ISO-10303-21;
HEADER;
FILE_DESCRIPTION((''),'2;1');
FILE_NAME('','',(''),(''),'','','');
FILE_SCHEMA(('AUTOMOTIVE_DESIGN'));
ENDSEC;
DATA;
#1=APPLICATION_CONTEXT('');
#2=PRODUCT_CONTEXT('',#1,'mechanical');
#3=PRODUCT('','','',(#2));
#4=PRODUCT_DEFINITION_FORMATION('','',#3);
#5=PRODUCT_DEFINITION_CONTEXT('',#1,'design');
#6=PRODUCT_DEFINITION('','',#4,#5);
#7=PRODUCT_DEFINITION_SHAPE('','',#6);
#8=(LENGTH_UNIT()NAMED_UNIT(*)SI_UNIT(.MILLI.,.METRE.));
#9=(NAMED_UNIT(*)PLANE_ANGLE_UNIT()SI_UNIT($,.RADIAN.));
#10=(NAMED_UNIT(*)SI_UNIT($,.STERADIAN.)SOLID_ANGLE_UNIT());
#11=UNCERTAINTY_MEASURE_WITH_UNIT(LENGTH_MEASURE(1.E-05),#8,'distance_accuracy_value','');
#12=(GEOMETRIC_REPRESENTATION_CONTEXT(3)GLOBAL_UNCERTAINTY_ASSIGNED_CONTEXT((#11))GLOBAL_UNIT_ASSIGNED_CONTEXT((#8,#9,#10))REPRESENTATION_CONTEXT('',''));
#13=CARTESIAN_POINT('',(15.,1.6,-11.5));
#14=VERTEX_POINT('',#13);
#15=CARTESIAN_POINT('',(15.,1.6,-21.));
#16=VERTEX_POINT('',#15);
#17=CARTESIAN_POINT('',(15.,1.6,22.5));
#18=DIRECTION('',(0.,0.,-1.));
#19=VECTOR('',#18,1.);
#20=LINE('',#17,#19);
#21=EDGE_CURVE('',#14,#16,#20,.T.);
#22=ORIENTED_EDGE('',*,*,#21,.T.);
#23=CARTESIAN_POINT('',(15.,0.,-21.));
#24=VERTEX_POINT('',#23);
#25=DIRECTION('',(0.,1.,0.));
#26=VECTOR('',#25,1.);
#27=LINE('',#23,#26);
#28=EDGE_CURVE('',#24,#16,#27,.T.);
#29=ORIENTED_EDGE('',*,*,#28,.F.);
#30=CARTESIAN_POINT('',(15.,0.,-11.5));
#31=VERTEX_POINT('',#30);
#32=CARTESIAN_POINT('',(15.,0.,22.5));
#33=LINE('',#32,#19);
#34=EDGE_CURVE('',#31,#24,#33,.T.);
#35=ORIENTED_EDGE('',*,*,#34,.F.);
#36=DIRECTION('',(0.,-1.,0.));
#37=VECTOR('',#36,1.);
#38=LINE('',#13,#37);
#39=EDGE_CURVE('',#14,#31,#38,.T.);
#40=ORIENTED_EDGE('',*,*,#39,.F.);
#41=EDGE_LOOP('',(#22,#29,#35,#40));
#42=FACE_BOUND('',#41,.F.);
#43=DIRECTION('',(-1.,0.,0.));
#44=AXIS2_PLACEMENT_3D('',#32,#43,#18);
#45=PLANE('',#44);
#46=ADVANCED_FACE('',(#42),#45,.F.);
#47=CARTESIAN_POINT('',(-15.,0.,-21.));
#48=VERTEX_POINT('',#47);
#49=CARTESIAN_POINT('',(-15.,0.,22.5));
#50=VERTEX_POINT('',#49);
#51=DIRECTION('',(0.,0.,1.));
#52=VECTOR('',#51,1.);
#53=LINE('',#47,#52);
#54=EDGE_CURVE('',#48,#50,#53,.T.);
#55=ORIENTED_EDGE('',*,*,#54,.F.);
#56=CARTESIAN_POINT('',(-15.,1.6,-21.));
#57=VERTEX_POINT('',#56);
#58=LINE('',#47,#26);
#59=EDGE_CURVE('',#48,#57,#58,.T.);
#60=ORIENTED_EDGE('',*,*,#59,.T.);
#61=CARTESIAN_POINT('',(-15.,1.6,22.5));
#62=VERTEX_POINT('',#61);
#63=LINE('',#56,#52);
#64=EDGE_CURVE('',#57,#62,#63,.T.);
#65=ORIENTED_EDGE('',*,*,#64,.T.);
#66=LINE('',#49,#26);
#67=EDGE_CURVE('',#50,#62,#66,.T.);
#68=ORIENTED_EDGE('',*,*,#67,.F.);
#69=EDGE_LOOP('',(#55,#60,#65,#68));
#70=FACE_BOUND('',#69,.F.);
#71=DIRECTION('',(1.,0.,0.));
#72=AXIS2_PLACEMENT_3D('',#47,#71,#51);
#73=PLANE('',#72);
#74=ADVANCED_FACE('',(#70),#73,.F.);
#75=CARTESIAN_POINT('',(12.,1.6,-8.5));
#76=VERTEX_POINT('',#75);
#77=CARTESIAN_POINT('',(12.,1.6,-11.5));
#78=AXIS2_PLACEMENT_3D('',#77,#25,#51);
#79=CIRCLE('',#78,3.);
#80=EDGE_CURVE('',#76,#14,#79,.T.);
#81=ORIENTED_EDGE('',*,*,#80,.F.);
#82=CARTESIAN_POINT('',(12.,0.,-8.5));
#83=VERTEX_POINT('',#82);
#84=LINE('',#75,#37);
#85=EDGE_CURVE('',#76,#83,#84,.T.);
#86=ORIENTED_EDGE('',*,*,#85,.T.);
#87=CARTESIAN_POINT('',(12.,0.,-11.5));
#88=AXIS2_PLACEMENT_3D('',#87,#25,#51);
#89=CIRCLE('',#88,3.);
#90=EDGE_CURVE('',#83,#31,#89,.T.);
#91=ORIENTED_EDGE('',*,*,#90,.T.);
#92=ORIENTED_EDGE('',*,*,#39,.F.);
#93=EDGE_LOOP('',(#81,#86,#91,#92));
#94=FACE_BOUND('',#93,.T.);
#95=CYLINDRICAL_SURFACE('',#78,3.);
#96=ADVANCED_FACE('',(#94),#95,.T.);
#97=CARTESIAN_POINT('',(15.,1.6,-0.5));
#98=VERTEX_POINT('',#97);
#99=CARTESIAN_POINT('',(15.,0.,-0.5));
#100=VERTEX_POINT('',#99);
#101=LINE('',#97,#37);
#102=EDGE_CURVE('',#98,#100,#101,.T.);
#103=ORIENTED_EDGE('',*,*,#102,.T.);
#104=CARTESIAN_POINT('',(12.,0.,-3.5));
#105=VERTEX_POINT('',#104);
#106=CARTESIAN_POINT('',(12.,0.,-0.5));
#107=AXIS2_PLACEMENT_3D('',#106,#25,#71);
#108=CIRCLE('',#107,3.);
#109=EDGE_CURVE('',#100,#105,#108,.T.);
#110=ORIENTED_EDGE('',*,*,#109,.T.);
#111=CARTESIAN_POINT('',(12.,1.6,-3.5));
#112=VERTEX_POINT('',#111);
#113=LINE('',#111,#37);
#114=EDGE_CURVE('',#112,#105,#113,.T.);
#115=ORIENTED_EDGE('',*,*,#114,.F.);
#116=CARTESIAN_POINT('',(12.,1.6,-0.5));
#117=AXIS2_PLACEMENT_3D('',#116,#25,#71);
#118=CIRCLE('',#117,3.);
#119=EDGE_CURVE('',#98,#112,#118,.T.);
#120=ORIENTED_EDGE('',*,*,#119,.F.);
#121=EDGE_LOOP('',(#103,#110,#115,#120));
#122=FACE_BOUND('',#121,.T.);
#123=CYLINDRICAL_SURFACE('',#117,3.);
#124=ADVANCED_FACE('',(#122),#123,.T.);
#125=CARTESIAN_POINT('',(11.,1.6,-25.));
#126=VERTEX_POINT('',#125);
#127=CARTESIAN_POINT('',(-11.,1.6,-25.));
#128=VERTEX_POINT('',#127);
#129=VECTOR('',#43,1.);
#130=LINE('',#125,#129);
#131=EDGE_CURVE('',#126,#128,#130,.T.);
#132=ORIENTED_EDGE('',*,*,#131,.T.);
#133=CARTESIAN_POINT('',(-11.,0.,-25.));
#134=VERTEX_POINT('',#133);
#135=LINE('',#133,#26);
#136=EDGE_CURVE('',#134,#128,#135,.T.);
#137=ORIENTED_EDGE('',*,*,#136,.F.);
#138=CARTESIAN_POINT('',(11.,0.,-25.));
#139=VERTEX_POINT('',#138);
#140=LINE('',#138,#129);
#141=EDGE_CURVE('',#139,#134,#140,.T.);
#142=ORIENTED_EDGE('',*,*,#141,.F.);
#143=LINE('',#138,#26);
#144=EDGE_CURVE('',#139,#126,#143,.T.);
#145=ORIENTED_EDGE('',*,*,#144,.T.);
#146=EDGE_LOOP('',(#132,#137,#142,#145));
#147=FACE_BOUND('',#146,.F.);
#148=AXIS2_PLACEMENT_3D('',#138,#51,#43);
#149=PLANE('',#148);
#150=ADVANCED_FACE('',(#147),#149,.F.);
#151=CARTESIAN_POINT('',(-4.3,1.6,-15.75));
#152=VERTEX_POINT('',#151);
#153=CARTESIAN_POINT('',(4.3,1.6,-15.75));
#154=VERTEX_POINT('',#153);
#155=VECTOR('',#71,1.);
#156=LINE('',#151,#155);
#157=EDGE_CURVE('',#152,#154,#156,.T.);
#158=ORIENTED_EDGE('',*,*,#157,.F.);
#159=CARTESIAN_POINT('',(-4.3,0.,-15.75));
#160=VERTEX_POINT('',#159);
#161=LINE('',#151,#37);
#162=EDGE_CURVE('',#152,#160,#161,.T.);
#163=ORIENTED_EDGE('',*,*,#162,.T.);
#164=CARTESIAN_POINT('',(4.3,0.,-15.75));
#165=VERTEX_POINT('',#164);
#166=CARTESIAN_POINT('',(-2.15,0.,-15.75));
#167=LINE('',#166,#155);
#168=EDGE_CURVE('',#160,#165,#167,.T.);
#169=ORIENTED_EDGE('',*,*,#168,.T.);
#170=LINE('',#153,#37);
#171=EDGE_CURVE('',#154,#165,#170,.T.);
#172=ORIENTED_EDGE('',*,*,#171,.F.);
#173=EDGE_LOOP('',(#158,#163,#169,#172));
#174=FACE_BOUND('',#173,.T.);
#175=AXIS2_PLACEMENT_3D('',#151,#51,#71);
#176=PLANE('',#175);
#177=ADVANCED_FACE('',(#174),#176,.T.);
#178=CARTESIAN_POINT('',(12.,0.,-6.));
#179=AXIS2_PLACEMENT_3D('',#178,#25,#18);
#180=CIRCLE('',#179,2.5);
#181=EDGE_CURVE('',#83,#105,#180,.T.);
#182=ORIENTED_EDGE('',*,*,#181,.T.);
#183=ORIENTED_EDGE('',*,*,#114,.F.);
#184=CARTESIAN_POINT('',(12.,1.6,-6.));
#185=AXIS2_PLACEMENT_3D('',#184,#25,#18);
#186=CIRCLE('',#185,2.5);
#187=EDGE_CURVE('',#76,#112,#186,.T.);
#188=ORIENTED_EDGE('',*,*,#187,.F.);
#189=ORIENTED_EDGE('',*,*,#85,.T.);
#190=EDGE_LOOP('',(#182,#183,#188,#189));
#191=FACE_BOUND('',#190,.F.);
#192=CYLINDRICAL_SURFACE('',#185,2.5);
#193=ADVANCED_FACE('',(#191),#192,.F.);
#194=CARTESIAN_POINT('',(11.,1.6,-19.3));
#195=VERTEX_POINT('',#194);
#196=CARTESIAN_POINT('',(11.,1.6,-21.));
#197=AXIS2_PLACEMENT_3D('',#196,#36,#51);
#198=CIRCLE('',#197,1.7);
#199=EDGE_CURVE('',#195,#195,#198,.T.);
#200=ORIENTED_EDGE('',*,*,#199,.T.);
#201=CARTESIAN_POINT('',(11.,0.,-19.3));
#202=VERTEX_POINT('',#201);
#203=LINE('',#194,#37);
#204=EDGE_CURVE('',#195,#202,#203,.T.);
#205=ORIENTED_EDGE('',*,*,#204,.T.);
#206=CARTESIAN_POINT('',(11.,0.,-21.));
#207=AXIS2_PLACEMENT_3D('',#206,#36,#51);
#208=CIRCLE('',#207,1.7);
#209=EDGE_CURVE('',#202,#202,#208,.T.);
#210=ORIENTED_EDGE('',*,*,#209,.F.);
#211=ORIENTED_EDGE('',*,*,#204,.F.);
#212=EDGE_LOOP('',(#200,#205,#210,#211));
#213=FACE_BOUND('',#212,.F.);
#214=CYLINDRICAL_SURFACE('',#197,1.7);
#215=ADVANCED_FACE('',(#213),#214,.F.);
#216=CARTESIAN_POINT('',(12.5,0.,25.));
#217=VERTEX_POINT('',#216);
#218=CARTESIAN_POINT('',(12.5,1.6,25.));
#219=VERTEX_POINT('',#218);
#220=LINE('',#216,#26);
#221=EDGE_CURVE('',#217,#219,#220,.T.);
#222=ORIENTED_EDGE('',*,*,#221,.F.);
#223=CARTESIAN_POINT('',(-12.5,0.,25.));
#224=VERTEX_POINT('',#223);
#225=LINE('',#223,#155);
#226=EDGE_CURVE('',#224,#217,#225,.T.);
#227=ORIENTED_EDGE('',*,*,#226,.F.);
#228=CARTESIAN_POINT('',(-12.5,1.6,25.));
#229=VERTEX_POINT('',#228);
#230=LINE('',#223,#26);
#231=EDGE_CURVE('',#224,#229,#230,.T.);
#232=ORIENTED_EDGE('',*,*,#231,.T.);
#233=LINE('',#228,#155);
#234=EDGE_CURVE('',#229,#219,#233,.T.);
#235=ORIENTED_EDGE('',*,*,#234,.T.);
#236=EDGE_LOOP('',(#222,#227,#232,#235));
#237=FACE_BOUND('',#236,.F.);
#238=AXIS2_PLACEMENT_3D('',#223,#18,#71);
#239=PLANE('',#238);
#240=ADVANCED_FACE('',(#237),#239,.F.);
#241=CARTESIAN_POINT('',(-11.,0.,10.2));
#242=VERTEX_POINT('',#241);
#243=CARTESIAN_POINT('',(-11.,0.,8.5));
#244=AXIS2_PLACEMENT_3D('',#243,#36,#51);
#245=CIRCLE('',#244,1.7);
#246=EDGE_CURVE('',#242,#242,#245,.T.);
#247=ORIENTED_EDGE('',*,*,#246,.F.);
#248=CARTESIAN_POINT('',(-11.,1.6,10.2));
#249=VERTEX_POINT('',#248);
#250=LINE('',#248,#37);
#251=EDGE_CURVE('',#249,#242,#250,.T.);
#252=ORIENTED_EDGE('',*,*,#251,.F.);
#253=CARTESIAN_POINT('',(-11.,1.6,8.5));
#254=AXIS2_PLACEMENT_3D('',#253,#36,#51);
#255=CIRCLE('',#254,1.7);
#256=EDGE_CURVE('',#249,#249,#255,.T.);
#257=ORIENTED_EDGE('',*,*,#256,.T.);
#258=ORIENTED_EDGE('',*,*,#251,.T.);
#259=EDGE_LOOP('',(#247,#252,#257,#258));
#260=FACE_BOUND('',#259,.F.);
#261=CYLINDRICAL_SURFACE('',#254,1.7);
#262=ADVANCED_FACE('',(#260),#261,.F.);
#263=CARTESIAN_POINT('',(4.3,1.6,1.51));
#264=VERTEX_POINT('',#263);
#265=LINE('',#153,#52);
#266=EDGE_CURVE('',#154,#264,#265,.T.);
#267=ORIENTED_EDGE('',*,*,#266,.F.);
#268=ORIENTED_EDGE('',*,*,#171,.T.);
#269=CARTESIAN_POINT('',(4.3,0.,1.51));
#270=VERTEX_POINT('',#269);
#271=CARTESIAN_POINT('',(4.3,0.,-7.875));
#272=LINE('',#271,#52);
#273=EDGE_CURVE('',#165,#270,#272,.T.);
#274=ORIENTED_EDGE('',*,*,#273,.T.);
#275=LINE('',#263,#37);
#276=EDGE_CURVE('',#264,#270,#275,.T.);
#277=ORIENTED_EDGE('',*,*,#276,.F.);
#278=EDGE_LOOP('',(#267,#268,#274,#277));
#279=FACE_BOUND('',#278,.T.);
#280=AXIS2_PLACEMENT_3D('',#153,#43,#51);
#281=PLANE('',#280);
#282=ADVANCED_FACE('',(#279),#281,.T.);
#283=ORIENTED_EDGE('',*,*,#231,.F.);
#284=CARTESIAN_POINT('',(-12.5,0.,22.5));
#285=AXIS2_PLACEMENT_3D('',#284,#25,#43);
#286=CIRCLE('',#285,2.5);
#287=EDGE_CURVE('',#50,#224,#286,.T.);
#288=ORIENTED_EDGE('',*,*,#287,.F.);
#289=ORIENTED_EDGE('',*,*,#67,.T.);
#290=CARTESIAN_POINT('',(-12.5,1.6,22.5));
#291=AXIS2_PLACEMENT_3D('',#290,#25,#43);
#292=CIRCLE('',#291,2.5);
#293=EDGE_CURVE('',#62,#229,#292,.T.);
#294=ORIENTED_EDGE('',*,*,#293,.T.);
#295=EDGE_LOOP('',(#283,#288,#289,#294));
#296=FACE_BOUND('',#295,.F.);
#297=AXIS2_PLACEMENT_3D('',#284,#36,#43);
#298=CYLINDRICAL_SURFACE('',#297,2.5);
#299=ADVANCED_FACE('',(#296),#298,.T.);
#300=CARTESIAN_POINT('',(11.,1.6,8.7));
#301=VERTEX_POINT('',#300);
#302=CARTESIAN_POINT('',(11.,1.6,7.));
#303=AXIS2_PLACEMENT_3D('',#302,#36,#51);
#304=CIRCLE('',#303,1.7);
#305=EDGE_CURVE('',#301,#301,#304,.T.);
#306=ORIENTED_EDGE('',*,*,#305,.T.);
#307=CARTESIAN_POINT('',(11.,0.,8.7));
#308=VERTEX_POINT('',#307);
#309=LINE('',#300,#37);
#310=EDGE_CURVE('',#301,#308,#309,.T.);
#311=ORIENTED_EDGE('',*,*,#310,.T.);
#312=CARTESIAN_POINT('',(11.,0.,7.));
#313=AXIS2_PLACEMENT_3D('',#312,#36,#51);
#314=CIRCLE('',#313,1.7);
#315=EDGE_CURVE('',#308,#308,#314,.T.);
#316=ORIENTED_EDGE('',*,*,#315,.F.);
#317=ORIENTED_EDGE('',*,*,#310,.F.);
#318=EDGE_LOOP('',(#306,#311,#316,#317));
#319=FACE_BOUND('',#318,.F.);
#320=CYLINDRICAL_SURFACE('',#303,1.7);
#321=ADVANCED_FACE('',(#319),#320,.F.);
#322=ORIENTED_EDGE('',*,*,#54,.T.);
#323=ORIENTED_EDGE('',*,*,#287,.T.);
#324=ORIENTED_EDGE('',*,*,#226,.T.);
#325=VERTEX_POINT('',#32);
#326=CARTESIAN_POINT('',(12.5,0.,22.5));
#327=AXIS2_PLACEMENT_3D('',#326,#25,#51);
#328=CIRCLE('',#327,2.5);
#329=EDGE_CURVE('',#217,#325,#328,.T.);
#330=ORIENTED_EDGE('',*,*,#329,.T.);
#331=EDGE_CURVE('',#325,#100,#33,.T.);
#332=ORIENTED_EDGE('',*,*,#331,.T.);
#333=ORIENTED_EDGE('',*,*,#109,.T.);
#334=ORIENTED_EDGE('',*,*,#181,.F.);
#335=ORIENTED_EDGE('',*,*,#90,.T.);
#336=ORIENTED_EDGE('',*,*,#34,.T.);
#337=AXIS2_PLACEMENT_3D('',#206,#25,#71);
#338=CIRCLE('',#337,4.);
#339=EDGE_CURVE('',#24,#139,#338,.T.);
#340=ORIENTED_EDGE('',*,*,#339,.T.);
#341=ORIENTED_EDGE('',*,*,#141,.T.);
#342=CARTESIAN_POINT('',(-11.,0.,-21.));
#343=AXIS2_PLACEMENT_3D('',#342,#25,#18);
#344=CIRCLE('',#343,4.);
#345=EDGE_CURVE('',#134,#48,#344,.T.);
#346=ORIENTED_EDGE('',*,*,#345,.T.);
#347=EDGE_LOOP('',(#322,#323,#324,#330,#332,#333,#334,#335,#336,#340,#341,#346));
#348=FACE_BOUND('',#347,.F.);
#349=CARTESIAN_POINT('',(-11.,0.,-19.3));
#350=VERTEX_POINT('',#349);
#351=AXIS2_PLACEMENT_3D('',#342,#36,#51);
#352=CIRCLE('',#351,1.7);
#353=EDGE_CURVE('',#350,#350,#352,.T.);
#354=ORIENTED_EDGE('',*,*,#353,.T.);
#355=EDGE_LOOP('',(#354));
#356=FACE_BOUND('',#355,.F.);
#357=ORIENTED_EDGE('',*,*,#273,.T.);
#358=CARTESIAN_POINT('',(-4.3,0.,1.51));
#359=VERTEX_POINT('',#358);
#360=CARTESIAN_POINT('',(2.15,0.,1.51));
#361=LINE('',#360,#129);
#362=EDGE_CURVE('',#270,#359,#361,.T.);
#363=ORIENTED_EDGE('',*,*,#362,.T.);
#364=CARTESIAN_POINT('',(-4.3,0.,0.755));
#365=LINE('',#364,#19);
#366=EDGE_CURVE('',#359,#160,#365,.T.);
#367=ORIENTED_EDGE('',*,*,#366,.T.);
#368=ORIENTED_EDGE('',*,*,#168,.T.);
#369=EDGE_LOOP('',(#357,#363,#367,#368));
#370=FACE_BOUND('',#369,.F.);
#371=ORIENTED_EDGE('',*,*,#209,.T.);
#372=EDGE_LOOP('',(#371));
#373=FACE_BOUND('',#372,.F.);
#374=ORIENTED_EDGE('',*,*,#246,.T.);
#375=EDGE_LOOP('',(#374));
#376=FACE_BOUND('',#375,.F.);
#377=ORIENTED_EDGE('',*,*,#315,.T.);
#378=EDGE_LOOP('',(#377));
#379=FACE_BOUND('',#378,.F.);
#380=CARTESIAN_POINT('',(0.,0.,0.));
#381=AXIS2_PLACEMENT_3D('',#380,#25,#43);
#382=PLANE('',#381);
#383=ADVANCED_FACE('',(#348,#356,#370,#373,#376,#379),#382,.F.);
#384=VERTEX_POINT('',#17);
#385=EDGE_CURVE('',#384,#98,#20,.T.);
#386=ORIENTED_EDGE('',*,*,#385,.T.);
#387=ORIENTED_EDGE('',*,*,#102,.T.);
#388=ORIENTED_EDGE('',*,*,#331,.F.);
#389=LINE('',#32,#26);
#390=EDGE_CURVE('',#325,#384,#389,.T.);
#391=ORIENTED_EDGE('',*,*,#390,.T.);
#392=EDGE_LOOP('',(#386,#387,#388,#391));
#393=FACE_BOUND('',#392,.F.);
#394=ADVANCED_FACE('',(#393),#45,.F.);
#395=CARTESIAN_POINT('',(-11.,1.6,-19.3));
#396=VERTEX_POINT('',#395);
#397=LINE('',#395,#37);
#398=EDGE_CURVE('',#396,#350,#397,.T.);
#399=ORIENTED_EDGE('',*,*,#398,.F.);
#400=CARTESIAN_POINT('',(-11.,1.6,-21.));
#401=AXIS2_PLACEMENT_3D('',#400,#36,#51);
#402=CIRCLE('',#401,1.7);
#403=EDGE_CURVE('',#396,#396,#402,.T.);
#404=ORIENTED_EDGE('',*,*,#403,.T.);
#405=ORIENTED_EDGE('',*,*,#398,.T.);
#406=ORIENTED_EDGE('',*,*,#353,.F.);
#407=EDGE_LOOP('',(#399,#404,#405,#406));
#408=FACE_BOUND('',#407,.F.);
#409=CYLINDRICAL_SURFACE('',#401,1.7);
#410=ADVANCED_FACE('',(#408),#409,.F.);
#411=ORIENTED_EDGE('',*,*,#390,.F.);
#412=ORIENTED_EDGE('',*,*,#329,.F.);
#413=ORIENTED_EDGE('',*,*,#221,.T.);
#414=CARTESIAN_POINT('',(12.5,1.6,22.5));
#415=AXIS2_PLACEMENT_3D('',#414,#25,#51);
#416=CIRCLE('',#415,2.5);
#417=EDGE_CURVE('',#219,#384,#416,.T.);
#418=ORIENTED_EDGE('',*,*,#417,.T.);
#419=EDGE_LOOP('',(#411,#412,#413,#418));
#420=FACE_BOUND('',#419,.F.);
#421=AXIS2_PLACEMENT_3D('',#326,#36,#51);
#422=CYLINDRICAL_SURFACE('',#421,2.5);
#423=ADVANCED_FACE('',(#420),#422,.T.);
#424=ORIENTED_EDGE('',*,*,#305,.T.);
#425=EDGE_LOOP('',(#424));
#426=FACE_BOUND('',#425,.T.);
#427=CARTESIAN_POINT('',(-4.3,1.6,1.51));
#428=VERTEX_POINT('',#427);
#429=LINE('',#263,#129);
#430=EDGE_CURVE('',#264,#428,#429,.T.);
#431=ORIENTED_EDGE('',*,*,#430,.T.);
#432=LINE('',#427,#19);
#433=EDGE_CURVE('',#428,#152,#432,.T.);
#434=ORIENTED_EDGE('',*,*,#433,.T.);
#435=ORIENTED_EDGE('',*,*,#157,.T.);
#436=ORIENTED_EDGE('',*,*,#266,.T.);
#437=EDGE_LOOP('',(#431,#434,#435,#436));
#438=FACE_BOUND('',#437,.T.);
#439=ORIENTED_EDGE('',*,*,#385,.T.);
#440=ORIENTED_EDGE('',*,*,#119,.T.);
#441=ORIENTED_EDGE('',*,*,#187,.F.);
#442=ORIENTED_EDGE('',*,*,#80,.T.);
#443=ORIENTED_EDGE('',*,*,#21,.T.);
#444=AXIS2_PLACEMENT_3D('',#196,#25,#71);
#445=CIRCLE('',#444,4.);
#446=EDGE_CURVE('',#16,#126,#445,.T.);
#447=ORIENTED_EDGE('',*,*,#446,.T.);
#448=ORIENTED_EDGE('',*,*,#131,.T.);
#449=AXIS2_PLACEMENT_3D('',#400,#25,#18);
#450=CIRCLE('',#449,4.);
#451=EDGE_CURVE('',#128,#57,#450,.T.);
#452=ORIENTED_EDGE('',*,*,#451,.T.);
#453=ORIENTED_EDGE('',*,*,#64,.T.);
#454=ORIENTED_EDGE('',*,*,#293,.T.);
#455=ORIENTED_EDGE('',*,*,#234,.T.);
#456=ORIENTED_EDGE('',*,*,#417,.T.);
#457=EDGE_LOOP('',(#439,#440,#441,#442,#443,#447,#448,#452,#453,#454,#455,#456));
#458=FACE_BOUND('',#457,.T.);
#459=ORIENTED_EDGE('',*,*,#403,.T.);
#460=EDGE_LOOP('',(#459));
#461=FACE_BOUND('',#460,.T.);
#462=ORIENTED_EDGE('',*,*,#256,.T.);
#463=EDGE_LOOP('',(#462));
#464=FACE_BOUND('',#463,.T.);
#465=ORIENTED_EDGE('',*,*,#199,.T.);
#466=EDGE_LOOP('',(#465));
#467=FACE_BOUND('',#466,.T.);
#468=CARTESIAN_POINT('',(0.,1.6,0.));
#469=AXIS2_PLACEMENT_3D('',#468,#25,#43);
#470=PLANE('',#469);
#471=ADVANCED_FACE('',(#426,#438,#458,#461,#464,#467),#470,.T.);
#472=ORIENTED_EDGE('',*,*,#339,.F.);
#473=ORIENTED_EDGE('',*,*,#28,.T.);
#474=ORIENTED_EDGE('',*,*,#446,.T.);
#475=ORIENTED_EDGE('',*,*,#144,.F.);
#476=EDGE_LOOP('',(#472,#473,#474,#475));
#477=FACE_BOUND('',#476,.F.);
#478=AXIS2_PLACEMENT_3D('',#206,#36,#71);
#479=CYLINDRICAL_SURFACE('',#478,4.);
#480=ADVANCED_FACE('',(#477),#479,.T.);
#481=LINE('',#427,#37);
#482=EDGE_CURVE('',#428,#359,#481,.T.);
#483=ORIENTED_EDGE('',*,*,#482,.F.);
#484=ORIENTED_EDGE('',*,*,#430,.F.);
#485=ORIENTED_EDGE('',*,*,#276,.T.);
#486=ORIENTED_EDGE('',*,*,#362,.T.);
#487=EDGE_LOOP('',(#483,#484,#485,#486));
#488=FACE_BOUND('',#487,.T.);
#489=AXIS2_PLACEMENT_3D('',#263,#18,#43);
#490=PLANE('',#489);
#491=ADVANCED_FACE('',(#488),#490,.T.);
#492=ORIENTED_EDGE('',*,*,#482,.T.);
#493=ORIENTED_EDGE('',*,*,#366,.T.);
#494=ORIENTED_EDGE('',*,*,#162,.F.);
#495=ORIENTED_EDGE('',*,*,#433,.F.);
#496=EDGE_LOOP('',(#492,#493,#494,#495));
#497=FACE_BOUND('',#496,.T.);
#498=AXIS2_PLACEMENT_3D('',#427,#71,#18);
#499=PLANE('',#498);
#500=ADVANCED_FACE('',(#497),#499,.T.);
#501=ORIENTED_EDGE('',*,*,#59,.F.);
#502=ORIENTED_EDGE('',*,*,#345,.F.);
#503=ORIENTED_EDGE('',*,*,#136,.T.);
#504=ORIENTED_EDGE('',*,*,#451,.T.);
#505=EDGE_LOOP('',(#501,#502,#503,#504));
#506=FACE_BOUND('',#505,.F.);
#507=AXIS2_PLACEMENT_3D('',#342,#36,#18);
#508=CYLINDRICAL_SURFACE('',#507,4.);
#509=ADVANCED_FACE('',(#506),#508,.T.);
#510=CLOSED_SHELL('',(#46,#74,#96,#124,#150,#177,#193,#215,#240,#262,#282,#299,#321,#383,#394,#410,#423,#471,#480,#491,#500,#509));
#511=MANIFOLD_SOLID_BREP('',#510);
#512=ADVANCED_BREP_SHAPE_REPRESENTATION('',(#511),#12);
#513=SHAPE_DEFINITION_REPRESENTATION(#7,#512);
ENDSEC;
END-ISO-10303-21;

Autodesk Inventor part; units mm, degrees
ref_plane "YZ Plane" through (0, 0, 0) normal (1, 0, 0) x (0, 1, 0)
ref_plane "XZ Plane" through (0, 0, 0) normal (0, 1, 0) x (-1, 0, 0)
ref_plane "XY Plane" through (0, 0, 0) normal (0, 0, 1) x (1, 0, 0)
sketch "Sketch1" plane through (0, 0, 0) normal (0, 1, 0) x (-1, 0, 0)
  line L0 (12.5, 25) -> (-12.5, 25)
  line L1 (-11, -25) -> (11, -25)
  line L2 (15, -21) -> (15, 22.5)
  line L3 (22.1598, 0) -> (-22.1598, 0) construction
  line L4 (0, -36.0977) -> (0, 35.787) construction
  arc A0 (-15, -21) -> (-11, -25) centre (-11, -21) ccw
  arc A1 (11, -25) -> (15, -21) centre (11, -21) ccw
  arc A2 (-12.5, 25) -> (-15, 22.5) centre (-12.5, 22.5) ccw
  arc A3 (15, 22.5) -> (12.5, 25) centre (12.5, 22.5) ccw
  line L5 (-15, 22.5) -> (-15, -21)
  point P0 (0, 0)
  point P1 (15, 25)
  point P2 (-15, -25)
  point P3 (-15, 25)
  point P4 (15, -25)
  point P5 (-15, 0)
  dimension "d6" = 15
  dimension "d10" = 4
  dimension "d11" = 2.5
  dimension "d15" = 15
  dimension "d35" = 50
extrude "Extrusion1" add sketch "Sketch1" along normal blind 1.6
sketch "Sketch2" plane through (0, 1.6, 0) normal (0, 1, 0) x (1, 0, 0)
  line L0 (15, -22.5) -> (15, 21) projected
  line L1 (-15, 21) -> (-15, -22.5) projected
  line L2 (-12.5, -25) -> (12.5, -25) projected
  arc A0 (15, 21) -> (11, 25) centre (11, 21) ccw projected
  arc A1 (-11, 25) -> (-15, 21) centre (-11, 21) ccw projected
  point P0 (0, 0)
  point P1 (-11, -8.5)
  point P2 (11, -7)
  dimension "d36" = 28
  dimension "d37" = 1.5
hole "Hole1" at (11, 1.6, -21) at (-11, 1.6, -21) at (-11, 1.6, 8.5) at (11, 1.6, 7) direction (0, -1, 0) diameter 3.4 end through all
sketch "Sketch3" plane through (0, 1.6, 0) normal (0, 1, 0) x (1, 0, 0)
  line L0 (4.3, -1.51) -> (-4.3, -1.51)
  line L1 (-4.3, -1.51) -> (-4.3, 15.75)
  line L2 (-4.3, 15.75) -> (4.3, 15.75)
  line L3 (4.3, 15.75) -> (4.3, -1.51)
  line L4 (0, 35) -> (0, -35) construction
  line L5 (11, 25) -> (-11, 25) projected
  point P0 (0, 0)
  dimension "d29" = 9.25
  dimension "d30" = 8.6
  dimension "d31" = 17.26
extrude "Extrusion2" cut sketch "Sketch3" against normal through all
sketch "Sketch5" plane through (0, 1.6, 0) normal (0, 1, 0) x (1, 0, 0)
  line L0 (15, -22.5) -> (15, 21) projected
  arc A0 (12, 8.5) -> (12, 3.5) centre (12, 6) ccw
  line L1 (11, 25) -> (-11, 25) projected
  arc A1 (15, 0.5) -> (12, 3.5) centre (12, 0.5) ccw
  arc A2 (12, 8.5) -> (15, 11.5) centre (12, 11.5) ccw
  point P0 (0, 0)
  dimension "d47" = 5
  dimension "d48" = 3
  dimension "d49" = 19
extrude "Extrusion3" cut sketch "Sketch5" against normal through all
properties part number "sensor_pcb"
